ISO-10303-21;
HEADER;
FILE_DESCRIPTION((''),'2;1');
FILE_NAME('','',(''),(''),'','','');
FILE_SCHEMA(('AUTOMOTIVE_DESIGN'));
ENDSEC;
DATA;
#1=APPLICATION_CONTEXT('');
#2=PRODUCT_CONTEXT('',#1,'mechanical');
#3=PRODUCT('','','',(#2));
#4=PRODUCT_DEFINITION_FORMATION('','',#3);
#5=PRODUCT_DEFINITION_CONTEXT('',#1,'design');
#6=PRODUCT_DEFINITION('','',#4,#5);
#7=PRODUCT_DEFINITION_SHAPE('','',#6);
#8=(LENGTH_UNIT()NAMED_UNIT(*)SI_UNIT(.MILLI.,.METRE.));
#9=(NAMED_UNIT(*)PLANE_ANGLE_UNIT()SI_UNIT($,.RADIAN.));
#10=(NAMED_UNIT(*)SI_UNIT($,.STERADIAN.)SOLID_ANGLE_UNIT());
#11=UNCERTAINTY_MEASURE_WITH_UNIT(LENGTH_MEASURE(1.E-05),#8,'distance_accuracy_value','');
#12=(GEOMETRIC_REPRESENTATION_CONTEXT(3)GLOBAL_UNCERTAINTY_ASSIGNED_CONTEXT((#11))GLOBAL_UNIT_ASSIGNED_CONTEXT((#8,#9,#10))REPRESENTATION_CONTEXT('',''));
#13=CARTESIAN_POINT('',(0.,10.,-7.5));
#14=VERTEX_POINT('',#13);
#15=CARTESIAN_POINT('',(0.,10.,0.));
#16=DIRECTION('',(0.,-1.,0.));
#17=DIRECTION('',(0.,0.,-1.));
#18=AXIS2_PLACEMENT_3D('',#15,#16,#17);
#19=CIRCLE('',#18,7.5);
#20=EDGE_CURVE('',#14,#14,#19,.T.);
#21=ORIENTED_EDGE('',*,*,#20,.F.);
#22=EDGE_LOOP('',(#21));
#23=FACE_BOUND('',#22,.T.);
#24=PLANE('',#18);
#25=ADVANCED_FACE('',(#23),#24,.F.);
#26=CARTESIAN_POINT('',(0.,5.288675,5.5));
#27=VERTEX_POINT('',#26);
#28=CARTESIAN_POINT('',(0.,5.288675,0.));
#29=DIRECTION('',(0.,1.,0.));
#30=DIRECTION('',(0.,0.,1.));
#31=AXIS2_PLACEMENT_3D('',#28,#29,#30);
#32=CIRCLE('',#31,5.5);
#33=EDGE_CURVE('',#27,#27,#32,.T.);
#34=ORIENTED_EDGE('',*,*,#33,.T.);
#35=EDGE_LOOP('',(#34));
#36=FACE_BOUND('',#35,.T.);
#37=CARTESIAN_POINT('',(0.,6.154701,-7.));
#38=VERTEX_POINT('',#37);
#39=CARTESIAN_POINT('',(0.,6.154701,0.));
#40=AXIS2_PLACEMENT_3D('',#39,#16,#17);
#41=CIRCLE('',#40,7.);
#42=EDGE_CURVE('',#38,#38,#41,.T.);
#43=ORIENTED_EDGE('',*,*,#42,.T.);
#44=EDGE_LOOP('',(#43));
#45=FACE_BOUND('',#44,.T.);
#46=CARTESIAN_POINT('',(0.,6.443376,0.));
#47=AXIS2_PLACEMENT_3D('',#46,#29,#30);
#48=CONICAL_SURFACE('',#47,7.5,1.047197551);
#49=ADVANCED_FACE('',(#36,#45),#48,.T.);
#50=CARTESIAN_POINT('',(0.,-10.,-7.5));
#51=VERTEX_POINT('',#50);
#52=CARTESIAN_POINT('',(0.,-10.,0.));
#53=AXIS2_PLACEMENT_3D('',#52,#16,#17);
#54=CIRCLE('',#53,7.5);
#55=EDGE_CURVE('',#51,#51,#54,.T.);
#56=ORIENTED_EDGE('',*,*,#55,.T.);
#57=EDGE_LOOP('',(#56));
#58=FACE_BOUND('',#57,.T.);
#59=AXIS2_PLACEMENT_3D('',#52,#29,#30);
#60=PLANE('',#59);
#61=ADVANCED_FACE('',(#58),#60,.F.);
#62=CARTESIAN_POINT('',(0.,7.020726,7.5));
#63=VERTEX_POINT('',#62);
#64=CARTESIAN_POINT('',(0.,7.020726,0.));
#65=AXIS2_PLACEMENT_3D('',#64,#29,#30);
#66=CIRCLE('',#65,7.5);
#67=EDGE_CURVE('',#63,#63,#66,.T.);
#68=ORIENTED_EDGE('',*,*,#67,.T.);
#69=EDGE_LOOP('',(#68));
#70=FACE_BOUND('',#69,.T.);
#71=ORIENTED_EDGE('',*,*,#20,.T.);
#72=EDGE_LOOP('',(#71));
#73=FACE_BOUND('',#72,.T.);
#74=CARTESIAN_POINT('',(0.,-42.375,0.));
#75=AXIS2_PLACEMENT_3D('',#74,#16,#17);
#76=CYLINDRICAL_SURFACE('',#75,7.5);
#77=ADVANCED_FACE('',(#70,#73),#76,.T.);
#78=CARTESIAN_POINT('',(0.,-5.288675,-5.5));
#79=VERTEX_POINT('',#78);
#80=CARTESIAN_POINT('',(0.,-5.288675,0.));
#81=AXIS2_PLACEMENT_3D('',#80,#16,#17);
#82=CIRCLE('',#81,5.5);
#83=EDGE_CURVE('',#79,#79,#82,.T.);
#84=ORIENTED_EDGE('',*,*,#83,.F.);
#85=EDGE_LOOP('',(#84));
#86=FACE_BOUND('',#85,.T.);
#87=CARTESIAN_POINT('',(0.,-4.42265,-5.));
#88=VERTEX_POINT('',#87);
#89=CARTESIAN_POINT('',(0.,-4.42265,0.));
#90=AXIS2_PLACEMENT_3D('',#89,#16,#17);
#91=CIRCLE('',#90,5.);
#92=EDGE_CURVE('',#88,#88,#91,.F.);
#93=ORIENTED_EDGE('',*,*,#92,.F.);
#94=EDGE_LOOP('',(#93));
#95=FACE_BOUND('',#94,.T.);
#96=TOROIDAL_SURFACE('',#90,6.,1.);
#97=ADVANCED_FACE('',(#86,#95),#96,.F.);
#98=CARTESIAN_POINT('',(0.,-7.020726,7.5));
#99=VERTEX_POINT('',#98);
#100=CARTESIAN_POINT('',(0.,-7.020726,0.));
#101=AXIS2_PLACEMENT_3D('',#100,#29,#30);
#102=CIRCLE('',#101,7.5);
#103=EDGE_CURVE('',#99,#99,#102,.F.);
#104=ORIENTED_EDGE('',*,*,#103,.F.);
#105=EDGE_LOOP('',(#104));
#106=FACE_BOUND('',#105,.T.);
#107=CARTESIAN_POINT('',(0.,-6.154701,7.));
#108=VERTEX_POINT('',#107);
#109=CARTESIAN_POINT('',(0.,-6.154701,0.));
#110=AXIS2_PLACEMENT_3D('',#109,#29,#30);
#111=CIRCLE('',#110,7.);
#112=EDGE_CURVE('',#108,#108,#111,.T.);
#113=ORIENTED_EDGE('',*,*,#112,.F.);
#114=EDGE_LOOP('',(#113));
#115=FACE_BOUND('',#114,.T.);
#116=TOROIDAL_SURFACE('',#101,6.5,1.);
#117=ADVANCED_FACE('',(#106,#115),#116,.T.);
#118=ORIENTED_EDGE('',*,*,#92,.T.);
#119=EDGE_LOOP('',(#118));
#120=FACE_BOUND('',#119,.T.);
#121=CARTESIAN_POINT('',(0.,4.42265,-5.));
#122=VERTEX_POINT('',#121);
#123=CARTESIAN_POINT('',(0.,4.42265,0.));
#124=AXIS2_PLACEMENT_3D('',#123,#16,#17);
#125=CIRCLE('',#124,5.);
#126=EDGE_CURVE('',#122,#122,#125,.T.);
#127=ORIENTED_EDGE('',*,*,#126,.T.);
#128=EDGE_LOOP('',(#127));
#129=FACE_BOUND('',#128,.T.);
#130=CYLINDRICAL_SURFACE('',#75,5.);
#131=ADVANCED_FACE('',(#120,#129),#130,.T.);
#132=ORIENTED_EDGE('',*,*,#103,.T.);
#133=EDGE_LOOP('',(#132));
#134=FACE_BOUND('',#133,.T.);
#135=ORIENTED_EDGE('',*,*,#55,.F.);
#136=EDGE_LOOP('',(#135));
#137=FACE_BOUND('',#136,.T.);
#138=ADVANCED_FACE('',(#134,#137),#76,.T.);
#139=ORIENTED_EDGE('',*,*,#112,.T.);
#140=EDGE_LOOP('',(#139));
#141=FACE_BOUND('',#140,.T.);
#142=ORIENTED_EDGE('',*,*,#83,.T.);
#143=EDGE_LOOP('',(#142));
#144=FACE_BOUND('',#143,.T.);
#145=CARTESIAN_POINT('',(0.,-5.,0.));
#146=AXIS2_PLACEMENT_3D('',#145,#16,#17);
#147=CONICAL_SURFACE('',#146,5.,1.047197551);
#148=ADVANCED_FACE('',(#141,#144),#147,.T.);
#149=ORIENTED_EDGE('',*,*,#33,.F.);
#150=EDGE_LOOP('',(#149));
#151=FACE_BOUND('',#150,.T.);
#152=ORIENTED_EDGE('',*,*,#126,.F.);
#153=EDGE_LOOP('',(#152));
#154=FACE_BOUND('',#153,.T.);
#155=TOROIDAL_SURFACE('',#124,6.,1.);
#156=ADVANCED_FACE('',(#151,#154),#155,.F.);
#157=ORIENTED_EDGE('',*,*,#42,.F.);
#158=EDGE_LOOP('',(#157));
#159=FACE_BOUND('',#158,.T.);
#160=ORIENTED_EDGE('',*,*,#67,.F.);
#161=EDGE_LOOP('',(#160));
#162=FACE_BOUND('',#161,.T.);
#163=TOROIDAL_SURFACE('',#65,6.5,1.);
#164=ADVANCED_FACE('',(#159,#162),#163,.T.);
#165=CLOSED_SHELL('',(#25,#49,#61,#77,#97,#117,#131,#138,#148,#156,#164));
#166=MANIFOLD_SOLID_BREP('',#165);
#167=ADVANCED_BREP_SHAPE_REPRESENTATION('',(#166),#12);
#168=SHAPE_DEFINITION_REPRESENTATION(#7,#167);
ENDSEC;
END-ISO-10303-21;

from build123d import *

# Parameters (mm, degrees)
FILLET1_R = 1
FILLET2_R = 1


with BuildPart() as part:
    # Sketch2 → Revolve1 (revolve)
    with BuildSketch(Plane(origin=(0, 0, 0), x_dir=(0, 0, -1), z_dir=(1, 0, 0)), mode=Mode.PRIVATE) as revolve1_sk:
        Polygon((0, 10), (-7.5, 10), (-7.5, 6.443375673), (-5, 5), (-5, -5), (-7.5, -6.443375673), (-7.5, -10), (0, -10), align=None)
    revolve(revolve1_sk.sketch.rotate(Axis((0, -42.375, 0), (0, 1, 0)), 180), axis=Axis((0, -42.375, 0), (0, 1, 0)))

    # Fillet1
    fillet1_edges = [part.edges().sort_by_distance(p)[0] for p in [
        (0, 5, 5),
        (0, -5, 5),
    ]]
    fillet(fillet1_edges, radius=FILLET1_R)

    # Fillet2
    fillet2_edges = [part.edges().sort_by_distance(p)[0] for p in [
        (0, 6.443375673, 7.5),
        (0, -6.443375673, 7.5),
    ]]
    fillet(fillet2_edges, radius=FILLET2_R)


solid = part.part
